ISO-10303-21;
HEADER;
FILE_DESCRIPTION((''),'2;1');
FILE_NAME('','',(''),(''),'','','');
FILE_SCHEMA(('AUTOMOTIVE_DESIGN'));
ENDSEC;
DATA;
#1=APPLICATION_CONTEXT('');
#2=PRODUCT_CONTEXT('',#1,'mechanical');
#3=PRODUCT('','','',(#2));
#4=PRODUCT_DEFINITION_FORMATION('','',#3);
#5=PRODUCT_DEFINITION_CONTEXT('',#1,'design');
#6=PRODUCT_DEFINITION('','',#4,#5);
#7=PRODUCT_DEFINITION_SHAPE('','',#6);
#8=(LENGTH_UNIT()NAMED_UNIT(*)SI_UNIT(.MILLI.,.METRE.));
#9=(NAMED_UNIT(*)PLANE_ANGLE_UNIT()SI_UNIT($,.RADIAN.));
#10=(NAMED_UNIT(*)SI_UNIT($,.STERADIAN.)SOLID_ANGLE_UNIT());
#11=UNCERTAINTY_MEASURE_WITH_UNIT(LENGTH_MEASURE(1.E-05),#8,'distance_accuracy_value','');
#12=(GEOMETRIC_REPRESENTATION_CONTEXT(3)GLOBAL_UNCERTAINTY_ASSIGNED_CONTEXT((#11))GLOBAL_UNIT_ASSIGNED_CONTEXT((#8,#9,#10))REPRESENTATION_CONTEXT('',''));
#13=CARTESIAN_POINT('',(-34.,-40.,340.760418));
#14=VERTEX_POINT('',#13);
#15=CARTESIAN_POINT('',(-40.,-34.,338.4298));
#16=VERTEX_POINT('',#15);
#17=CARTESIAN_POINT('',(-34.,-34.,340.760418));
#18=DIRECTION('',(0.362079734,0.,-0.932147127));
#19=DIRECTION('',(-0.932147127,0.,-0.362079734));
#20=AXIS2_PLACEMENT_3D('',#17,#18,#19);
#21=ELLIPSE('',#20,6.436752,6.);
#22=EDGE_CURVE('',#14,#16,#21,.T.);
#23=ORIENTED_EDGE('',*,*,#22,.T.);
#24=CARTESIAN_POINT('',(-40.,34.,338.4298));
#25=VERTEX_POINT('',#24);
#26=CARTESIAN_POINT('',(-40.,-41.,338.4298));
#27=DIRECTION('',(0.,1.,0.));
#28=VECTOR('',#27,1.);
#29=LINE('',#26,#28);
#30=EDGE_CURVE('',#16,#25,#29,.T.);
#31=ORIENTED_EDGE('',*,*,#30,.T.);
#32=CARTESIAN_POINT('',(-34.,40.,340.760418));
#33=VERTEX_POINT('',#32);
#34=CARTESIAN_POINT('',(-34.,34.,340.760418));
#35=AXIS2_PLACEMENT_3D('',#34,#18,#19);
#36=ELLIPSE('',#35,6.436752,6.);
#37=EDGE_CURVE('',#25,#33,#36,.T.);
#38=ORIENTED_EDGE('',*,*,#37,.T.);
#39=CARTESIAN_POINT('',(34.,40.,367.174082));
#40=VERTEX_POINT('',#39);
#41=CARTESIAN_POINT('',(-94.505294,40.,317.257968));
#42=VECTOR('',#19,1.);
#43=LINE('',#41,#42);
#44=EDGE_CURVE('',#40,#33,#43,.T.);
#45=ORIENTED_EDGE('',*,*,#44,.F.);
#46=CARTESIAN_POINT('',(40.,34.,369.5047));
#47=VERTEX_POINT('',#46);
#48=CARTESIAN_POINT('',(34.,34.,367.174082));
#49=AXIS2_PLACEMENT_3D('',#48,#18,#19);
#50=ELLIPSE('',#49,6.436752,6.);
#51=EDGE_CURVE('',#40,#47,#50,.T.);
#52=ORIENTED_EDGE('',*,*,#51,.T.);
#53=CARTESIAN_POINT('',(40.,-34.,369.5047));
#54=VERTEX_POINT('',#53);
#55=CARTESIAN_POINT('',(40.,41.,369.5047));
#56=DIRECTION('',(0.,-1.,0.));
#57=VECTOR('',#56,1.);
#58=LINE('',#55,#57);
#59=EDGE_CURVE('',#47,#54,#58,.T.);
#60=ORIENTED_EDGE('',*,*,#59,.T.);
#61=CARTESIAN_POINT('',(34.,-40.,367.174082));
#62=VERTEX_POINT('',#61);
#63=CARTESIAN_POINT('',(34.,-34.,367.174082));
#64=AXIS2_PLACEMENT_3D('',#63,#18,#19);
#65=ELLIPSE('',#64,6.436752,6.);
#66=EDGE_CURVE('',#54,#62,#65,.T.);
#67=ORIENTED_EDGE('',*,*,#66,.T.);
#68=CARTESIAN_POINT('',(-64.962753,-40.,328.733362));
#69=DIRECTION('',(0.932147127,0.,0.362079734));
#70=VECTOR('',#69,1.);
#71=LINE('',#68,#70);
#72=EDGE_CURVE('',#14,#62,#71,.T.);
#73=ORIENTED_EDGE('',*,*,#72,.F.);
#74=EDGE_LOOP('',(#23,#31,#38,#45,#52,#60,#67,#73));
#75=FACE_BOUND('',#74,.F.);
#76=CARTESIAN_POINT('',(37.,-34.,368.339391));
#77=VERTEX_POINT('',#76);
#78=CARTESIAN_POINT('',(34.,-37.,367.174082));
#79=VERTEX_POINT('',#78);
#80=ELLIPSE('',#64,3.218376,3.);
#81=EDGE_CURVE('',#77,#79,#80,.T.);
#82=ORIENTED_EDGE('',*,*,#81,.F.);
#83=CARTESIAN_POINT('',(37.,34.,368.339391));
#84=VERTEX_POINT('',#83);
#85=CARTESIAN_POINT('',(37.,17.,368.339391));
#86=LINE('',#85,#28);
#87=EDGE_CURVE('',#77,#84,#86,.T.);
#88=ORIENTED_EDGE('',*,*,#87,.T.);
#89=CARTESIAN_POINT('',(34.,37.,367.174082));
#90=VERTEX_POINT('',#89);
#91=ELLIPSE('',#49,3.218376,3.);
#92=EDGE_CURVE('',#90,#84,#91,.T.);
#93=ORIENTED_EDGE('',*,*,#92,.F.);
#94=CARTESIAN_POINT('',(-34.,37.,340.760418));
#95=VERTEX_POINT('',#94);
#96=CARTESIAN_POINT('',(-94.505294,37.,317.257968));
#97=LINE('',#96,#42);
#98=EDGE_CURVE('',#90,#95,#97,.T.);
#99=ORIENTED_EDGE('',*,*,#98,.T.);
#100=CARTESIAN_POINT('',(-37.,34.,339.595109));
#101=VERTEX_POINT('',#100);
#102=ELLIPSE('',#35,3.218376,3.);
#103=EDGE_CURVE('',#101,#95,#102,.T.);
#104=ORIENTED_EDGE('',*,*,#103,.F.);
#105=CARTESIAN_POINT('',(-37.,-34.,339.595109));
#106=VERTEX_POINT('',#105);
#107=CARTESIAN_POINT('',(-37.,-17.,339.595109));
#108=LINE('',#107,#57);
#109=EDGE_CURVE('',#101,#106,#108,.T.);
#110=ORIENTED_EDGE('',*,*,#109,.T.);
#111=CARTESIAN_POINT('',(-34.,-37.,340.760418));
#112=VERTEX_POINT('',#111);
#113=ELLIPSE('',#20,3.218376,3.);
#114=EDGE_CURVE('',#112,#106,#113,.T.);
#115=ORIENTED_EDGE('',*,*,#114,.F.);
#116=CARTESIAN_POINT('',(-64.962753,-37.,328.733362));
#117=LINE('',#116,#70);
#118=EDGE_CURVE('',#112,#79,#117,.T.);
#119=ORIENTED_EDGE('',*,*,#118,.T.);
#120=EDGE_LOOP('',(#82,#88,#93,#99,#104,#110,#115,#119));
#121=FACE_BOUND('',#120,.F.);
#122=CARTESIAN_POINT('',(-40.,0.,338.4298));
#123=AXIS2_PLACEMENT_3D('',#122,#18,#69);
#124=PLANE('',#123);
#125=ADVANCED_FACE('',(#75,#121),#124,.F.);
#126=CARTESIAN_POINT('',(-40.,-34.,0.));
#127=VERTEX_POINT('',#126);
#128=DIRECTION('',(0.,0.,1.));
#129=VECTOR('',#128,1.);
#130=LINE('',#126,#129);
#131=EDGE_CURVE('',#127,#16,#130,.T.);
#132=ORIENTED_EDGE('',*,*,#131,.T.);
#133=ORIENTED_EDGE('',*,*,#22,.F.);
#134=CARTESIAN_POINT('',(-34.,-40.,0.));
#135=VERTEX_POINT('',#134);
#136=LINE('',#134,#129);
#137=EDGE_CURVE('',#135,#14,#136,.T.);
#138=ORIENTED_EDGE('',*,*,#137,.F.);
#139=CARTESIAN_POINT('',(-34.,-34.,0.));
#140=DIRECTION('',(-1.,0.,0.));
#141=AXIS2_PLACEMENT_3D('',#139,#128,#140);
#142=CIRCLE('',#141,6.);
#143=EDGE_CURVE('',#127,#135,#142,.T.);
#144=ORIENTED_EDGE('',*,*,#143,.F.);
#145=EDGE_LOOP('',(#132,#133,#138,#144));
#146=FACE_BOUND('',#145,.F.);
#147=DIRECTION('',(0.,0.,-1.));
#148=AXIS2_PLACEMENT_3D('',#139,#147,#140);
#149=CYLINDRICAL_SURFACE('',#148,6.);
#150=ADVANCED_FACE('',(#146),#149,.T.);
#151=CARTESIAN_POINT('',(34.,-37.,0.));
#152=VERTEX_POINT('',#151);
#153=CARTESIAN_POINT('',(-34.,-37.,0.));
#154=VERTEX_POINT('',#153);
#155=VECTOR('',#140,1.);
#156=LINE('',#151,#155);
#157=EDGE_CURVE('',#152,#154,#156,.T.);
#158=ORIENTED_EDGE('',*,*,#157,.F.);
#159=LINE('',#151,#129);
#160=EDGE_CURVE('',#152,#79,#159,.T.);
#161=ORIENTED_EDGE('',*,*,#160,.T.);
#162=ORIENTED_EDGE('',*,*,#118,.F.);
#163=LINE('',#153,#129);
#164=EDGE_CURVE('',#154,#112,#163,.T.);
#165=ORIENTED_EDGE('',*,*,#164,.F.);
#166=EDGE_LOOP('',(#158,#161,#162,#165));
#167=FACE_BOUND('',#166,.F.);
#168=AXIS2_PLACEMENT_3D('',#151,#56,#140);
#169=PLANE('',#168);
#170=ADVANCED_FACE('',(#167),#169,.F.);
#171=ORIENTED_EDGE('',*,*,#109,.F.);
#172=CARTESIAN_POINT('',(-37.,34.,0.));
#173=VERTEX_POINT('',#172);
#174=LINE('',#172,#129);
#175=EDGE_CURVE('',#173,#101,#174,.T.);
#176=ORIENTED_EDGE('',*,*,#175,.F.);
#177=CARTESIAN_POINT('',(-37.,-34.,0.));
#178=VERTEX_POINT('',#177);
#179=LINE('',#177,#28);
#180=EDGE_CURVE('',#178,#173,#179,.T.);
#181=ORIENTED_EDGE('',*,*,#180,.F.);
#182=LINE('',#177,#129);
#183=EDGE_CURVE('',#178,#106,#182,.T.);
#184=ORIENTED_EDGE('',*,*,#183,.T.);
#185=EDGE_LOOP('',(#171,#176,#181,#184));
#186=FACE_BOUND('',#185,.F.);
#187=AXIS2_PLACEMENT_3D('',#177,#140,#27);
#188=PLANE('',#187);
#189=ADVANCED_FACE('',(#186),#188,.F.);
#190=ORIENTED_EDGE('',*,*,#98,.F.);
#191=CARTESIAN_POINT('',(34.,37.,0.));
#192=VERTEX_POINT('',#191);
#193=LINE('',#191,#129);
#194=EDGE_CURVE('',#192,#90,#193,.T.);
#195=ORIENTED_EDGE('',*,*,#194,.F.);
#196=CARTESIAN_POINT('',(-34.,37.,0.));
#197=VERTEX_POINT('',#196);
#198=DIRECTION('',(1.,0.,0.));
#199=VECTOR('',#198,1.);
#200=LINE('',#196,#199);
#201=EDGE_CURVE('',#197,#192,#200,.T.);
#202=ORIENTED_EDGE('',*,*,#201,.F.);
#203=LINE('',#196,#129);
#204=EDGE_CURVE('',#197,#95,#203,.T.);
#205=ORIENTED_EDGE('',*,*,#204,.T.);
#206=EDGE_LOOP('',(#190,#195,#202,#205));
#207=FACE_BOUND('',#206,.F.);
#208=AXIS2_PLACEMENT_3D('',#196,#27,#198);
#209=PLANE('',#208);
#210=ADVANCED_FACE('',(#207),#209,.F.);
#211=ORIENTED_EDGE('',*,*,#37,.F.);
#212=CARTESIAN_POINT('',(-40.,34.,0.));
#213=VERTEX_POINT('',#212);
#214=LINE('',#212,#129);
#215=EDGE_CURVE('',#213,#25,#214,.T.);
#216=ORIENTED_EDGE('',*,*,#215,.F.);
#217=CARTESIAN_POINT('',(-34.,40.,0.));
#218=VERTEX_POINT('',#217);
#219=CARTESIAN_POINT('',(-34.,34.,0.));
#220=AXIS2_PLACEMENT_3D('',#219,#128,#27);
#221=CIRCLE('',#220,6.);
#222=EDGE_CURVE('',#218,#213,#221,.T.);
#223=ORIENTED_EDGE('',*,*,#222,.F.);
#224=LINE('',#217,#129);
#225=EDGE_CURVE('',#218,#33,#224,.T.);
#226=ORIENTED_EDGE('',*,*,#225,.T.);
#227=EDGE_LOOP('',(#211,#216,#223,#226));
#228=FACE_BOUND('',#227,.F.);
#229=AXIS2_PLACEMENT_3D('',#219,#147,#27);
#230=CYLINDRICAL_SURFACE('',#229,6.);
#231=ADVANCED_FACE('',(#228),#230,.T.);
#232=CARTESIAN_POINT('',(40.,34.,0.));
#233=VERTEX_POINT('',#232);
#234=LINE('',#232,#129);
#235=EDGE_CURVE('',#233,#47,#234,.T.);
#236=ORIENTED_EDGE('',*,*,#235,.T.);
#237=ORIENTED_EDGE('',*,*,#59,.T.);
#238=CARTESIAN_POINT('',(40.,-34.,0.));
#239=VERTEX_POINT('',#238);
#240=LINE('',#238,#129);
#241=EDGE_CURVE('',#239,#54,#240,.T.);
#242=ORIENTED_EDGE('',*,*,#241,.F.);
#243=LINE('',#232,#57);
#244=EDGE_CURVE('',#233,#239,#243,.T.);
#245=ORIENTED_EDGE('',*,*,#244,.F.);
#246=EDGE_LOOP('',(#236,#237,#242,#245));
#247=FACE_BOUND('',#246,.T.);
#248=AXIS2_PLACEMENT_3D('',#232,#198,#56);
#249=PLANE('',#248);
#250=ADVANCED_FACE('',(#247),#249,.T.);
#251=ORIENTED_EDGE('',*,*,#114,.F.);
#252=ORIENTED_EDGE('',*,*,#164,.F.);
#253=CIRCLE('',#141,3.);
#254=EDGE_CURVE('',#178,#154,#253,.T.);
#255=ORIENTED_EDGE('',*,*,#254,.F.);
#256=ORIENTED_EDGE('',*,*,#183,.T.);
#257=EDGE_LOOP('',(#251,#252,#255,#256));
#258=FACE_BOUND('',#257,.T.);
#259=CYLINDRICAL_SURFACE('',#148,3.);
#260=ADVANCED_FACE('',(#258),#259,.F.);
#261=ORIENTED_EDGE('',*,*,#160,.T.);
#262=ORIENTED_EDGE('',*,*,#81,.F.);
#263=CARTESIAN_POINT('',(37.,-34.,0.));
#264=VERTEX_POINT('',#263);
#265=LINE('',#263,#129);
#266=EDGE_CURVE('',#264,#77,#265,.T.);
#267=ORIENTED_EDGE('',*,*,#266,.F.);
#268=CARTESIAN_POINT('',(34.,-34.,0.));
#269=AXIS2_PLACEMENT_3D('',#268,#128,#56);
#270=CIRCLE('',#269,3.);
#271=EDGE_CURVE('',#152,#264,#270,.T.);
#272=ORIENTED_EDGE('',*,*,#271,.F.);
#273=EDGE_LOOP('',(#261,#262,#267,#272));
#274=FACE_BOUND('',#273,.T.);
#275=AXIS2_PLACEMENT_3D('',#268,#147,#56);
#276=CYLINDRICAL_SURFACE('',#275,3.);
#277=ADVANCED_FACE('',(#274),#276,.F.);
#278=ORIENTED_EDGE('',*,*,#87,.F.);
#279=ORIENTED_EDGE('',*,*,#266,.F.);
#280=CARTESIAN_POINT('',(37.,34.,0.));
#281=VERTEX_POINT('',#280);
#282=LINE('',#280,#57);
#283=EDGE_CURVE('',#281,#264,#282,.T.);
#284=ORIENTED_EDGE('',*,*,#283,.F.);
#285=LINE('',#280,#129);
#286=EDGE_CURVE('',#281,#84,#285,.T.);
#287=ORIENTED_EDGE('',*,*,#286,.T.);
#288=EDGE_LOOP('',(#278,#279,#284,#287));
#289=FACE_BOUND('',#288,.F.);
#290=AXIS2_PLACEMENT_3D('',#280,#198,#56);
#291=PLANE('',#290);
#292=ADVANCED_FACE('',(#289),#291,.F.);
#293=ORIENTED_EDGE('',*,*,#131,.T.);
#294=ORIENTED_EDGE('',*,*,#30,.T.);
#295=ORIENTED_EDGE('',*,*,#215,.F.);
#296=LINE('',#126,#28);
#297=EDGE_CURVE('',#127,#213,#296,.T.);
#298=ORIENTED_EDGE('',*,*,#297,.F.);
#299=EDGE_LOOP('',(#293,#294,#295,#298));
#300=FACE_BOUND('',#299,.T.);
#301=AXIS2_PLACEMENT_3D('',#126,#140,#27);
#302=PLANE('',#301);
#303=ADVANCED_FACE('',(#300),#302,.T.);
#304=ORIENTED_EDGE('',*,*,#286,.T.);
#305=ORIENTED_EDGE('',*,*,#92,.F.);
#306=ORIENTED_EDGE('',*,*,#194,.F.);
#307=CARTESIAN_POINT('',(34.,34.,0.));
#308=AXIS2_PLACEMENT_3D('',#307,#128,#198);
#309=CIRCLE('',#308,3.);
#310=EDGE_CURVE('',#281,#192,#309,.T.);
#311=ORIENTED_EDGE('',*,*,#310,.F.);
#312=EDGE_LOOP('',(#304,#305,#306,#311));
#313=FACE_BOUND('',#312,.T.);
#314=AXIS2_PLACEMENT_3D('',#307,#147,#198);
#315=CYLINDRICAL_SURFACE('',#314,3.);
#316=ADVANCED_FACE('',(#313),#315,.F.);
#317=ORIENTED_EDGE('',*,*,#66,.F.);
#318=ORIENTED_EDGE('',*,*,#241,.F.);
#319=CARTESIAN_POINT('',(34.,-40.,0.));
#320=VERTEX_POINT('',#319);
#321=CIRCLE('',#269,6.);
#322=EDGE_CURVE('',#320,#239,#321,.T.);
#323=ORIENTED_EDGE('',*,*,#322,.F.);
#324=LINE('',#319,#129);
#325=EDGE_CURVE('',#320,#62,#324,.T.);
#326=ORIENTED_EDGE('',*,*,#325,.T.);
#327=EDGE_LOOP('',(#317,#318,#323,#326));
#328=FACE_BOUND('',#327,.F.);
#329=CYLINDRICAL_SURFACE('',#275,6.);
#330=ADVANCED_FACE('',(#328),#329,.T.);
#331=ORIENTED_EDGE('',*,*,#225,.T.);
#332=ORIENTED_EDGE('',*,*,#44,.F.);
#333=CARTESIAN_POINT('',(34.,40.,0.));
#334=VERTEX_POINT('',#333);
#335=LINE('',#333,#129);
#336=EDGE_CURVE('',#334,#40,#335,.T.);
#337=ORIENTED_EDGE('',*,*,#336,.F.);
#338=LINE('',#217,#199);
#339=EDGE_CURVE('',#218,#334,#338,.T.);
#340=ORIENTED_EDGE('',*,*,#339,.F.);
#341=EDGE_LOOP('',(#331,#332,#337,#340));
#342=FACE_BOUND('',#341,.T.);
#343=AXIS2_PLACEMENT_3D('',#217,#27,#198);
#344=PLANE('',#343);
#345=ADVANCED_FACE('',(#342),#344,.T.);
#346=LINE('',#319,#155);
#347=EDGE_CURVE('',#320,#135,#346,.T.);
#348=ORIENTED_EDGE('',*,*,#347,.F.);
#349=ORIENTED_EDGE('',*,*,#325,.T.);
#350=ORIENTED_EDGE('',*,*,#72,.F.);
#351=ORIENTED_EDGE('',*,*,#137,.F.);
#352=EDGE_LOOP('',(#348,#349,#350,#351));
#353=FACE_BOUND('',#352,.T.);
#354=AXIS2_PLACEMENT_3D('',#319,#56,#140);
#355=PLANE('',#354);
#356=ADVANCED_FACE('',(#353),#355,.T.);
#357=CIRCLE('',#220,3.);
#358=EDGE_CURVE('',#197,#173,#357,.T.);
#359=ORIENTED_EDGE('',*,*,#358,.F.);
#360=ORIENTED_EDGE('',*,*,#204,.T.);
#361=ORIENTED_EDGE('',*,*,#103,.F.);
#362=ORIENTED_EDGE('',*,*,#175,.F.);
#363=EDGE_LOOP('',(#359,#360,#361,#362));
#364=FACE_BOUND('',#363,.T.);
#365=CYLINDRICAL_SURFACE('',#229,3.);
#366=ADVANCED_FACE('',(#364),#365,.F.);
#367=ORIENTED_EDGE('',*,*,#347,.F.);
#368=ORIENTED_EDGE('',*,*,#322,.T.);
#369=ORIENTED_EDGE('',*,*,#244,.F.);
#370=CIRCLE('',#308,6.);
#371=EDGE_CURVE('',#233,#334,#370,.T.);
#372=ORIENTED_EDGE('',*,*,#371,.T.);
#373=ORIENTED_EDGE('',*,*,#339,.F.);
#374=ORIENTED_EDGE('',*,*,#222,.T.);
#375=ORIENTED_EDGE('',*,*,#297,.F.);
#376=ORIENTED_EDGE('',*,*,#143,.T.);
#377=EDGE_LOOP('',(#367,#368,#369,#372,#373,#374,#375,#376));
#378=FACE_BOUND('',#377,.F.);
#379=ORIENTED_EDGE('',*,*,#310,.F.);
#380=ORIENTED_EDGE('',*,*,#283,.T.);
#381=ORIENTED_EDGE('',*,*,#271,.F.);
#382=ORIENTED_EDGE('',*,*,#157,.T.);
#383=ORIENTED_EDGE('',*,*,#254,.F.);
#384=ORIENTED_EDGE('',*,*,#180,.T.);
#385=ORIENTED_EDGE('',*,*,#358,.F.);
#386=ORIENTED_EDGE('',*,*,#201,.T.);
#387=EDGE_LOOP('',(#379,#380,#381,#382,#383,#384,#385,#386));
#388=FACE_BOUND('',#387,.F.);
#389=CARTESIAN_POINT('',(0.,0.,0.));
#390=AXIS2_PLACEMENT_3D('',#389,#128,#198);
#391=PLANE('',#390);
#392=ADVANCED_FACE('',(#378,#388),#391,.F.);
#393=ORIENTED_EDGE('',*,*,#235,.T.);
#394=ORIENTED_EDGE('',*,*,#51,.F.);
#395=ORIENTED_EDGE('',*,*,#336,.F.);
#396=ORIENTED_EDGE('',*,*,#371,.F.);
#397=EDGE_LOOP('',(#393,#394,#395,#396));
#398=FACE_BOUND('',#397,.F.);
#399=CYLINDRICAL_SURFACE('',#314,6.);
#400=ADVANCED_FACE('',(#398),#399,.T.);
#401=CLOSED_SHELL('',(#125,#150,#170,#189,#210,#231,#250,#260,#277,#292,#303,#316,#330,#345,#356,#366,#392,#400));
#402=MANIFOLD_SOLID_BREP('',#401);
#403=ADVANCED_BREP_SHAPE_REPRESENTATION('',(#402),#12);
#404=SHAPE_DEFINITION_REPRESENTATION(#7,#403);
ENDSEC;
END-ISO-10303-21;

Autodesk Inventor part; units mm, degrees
ref_plane "YZ Plane" through (0, 0, 0) normal (1, 0, 0) x (0, 1, 0)
ref_plane "Start plane" through (0, 0, 0) normal (0, 0, 1) x (1, 0, 0)
ref_plane "End plane" through (0, 0, 1000) normal (0, 0, 1) x (1, 0, 0)
sketch "Sketch" plane through (0, 0, 0) normal (0, 0, 1) x (1, 0, 0)
  line L0 (-40, -34) -> (-40, 34)
  line L1 (-34, 40) -> (34, 40)
  line L2 (40, 34) -> (40, -34)
  line L3 (34, -40) -> (-34, -40)
  arc A0 (-40, -34) -> (-34, -40) centre (-34, -34) ccw
  arc A1 (40, 34) -> (34, 40) centre (34, 34) ccw
  arc A2 (-34, 40) -> (-40, 34) centre (-34, 34) ccw
  arc A3 (34, -40) -> (40, -34) centre (34, -34) ccw
  arc A4 (-34, 37) -> (-37, 34) centre (-34, 34) ccw
  line L4 (-34, 37) -> (34, 37)
  arc A5 (37, 34) -> (34, 37) centre (34, 34) ccw
  line L5 (37, 34) -> (37, -34)
  arc A6 (34, -37) -> (37, -34) centre (34, -34) ccw
  line L6 (34, -37) -> (-34, -37)
  arc A7 (-37, -34) -> (-34, -37) centre (-34, -34) ccw
  line L7 (-37, -34) -> (-37, 34)
  line L8 (0, 57.7397) -> (0, -57.7397) construction
  line L9 (-1453.6197, 0) -> (290.3864, 0) construction
  dimension "d7" = 6
  dimension "d9" = 80
  dimension "d11" = 80
  dimension "d12" = 3
  dimension "d15" = 40
  dimension "d16" = 40
extrude "Body" add sketch "Sketch" along normal up to surface (1000 mm away) from surface at 0
sketch "Sketch3" plane through (0, 0, 0) normal (0, 0, 1) x (1, 0, 0)
  line L0 (0, 0) -> (10, 0)
ref_plane "Work Plane3" through (0, 0, 0) normal (0, -1, 0) x (1, 0, 0)
sketch "Sketch5" plane through (0, 0, 0) normal (0, 1, 0) x (-1, 0, 0)
  line L0 (-40, 0) -> (-40, 1000) projected
  line L1 (40, 0) -> (40, 1000) projected
  line L2 (40, 0) -> (40, 1000) projected
  line L3 (40, 349.1577) -> (340, 349.1577) construction
  line L4 (-80.663, 399.3796) -> (760.663, 399.3796) construction
  arc A0 (-80.663, 399.3796) -> (340, 300) centre (340, 1240) ccw construction
  line L5 (-130, 479.2385) -> (810, 479.2385) construction
  arc A1 (-130, 479.2385) -> (-80.663, 399.3796) centre (-40.7, 479.2385) ccw construction
  arc A2 (760.663, 399.3796) -> (810, 479.2385) centre (720.7, 479.2385) ccw
  line L6 (-130, 479.2385) -> (-130, 519.2385)
  line L7 (810, 479.2385) -> (810, 519.2385)
  line L8 (-130, 519.2385) -> (340, 519.2385) construction
  line L9 (340, 519.2385) -> (340, 0)
  arc A3 (340, 300) -> (760.663, 399.3796) centre (340, 1240) ccw
  line L10 (340, 519.2385) -> (810, 519.2385)
  point P0 (0, 0)
  dimension "d22" = 300
  dimension "d24" = 940
  dimension "d25" = 89.3
  dimension "d26" = 40
  dimension "d27" = 940
  dimension "d28" = 300
  dimension "d30" = 349.1577
sketch "Sketch6" plane through (0, 0, 0) normal (0, 1, 0) x (-1, 0, 0)
  line L0 (40, 0) -> (40, 1000) projected
  line L1 (40, 0) -> (40, 1000) projected
  line L2 (-40, 0) -> (-40, 1000) projected
  line L3 (-40, 0) -> (-40, 1000) projected
  line L4 (34, 1000) -> (40, 1000) projected
  line L5 (40, 1000) -> (-40, 1000)
  line L6 (-40, 380.2326) -> (40, 349.1577)
  arc A0 (-80.663, 399.3796) -> (340, 300) centre (340, 1240) ccw construction
  line L7 (40, 338.4298) -> (-40, 369.5047)
  point P0 (0, 0)
  point P1 (-40, 380.2326)
  dimension "d33" = 10
extrude "Extrusion2" cut sketch "Sketch6" along normal through all both and the other way through all
sketch "Sketch4" plane through (0, 0, 0) normal (0, -1, 0) x (1, 0, 0)
  line L0 (-1453.3712, 0) -> (288.8952, 0) projected
  line L1 (-1453.3712, 1000) -> (288.8952, 1000) projected
  dimension "d18" = 1000
equation "\"d7\" = G_IR"
equation "\"d9\" = G_W"
equation "\"d11\" = G_H"
equation "\"d12\" = G_T"
equation "\"d15\" = 0.5 * d9"
equation "\"d16\" = 0.5 * d11"
equation "\"d3\" = G_L"
equation "\"d22\" = 0.5 * Diam_of_legs_center"
equation "\"d24\" = d27"
equation "\"d25\" = 0.095 * d27"
equation "\"d27\" = MAIN_filter_diam"
equation "\"d28\" = MAIN_hight_to_filter_bottom"
equation "\"G_W\" = 80"
equation "\"G_H\" = 80"
equation "\"G_T\" = 3"
equation "\"G_IR\" = 6"
equation "\"G_L\" = d18"
equation "\"G_OFFSET_START\" = 0"
equation "\"G_OFFSET_END\" = 0"
equation "\"Diam_of_legs_center\" = 600"
equation "\"MAIN_filter_diam\" = 940"
equation "\"MAIN_hight_to_filter_bottom\" = 300"
properties part number "PNS-681 Leg tube" material "Steel, Mild"
